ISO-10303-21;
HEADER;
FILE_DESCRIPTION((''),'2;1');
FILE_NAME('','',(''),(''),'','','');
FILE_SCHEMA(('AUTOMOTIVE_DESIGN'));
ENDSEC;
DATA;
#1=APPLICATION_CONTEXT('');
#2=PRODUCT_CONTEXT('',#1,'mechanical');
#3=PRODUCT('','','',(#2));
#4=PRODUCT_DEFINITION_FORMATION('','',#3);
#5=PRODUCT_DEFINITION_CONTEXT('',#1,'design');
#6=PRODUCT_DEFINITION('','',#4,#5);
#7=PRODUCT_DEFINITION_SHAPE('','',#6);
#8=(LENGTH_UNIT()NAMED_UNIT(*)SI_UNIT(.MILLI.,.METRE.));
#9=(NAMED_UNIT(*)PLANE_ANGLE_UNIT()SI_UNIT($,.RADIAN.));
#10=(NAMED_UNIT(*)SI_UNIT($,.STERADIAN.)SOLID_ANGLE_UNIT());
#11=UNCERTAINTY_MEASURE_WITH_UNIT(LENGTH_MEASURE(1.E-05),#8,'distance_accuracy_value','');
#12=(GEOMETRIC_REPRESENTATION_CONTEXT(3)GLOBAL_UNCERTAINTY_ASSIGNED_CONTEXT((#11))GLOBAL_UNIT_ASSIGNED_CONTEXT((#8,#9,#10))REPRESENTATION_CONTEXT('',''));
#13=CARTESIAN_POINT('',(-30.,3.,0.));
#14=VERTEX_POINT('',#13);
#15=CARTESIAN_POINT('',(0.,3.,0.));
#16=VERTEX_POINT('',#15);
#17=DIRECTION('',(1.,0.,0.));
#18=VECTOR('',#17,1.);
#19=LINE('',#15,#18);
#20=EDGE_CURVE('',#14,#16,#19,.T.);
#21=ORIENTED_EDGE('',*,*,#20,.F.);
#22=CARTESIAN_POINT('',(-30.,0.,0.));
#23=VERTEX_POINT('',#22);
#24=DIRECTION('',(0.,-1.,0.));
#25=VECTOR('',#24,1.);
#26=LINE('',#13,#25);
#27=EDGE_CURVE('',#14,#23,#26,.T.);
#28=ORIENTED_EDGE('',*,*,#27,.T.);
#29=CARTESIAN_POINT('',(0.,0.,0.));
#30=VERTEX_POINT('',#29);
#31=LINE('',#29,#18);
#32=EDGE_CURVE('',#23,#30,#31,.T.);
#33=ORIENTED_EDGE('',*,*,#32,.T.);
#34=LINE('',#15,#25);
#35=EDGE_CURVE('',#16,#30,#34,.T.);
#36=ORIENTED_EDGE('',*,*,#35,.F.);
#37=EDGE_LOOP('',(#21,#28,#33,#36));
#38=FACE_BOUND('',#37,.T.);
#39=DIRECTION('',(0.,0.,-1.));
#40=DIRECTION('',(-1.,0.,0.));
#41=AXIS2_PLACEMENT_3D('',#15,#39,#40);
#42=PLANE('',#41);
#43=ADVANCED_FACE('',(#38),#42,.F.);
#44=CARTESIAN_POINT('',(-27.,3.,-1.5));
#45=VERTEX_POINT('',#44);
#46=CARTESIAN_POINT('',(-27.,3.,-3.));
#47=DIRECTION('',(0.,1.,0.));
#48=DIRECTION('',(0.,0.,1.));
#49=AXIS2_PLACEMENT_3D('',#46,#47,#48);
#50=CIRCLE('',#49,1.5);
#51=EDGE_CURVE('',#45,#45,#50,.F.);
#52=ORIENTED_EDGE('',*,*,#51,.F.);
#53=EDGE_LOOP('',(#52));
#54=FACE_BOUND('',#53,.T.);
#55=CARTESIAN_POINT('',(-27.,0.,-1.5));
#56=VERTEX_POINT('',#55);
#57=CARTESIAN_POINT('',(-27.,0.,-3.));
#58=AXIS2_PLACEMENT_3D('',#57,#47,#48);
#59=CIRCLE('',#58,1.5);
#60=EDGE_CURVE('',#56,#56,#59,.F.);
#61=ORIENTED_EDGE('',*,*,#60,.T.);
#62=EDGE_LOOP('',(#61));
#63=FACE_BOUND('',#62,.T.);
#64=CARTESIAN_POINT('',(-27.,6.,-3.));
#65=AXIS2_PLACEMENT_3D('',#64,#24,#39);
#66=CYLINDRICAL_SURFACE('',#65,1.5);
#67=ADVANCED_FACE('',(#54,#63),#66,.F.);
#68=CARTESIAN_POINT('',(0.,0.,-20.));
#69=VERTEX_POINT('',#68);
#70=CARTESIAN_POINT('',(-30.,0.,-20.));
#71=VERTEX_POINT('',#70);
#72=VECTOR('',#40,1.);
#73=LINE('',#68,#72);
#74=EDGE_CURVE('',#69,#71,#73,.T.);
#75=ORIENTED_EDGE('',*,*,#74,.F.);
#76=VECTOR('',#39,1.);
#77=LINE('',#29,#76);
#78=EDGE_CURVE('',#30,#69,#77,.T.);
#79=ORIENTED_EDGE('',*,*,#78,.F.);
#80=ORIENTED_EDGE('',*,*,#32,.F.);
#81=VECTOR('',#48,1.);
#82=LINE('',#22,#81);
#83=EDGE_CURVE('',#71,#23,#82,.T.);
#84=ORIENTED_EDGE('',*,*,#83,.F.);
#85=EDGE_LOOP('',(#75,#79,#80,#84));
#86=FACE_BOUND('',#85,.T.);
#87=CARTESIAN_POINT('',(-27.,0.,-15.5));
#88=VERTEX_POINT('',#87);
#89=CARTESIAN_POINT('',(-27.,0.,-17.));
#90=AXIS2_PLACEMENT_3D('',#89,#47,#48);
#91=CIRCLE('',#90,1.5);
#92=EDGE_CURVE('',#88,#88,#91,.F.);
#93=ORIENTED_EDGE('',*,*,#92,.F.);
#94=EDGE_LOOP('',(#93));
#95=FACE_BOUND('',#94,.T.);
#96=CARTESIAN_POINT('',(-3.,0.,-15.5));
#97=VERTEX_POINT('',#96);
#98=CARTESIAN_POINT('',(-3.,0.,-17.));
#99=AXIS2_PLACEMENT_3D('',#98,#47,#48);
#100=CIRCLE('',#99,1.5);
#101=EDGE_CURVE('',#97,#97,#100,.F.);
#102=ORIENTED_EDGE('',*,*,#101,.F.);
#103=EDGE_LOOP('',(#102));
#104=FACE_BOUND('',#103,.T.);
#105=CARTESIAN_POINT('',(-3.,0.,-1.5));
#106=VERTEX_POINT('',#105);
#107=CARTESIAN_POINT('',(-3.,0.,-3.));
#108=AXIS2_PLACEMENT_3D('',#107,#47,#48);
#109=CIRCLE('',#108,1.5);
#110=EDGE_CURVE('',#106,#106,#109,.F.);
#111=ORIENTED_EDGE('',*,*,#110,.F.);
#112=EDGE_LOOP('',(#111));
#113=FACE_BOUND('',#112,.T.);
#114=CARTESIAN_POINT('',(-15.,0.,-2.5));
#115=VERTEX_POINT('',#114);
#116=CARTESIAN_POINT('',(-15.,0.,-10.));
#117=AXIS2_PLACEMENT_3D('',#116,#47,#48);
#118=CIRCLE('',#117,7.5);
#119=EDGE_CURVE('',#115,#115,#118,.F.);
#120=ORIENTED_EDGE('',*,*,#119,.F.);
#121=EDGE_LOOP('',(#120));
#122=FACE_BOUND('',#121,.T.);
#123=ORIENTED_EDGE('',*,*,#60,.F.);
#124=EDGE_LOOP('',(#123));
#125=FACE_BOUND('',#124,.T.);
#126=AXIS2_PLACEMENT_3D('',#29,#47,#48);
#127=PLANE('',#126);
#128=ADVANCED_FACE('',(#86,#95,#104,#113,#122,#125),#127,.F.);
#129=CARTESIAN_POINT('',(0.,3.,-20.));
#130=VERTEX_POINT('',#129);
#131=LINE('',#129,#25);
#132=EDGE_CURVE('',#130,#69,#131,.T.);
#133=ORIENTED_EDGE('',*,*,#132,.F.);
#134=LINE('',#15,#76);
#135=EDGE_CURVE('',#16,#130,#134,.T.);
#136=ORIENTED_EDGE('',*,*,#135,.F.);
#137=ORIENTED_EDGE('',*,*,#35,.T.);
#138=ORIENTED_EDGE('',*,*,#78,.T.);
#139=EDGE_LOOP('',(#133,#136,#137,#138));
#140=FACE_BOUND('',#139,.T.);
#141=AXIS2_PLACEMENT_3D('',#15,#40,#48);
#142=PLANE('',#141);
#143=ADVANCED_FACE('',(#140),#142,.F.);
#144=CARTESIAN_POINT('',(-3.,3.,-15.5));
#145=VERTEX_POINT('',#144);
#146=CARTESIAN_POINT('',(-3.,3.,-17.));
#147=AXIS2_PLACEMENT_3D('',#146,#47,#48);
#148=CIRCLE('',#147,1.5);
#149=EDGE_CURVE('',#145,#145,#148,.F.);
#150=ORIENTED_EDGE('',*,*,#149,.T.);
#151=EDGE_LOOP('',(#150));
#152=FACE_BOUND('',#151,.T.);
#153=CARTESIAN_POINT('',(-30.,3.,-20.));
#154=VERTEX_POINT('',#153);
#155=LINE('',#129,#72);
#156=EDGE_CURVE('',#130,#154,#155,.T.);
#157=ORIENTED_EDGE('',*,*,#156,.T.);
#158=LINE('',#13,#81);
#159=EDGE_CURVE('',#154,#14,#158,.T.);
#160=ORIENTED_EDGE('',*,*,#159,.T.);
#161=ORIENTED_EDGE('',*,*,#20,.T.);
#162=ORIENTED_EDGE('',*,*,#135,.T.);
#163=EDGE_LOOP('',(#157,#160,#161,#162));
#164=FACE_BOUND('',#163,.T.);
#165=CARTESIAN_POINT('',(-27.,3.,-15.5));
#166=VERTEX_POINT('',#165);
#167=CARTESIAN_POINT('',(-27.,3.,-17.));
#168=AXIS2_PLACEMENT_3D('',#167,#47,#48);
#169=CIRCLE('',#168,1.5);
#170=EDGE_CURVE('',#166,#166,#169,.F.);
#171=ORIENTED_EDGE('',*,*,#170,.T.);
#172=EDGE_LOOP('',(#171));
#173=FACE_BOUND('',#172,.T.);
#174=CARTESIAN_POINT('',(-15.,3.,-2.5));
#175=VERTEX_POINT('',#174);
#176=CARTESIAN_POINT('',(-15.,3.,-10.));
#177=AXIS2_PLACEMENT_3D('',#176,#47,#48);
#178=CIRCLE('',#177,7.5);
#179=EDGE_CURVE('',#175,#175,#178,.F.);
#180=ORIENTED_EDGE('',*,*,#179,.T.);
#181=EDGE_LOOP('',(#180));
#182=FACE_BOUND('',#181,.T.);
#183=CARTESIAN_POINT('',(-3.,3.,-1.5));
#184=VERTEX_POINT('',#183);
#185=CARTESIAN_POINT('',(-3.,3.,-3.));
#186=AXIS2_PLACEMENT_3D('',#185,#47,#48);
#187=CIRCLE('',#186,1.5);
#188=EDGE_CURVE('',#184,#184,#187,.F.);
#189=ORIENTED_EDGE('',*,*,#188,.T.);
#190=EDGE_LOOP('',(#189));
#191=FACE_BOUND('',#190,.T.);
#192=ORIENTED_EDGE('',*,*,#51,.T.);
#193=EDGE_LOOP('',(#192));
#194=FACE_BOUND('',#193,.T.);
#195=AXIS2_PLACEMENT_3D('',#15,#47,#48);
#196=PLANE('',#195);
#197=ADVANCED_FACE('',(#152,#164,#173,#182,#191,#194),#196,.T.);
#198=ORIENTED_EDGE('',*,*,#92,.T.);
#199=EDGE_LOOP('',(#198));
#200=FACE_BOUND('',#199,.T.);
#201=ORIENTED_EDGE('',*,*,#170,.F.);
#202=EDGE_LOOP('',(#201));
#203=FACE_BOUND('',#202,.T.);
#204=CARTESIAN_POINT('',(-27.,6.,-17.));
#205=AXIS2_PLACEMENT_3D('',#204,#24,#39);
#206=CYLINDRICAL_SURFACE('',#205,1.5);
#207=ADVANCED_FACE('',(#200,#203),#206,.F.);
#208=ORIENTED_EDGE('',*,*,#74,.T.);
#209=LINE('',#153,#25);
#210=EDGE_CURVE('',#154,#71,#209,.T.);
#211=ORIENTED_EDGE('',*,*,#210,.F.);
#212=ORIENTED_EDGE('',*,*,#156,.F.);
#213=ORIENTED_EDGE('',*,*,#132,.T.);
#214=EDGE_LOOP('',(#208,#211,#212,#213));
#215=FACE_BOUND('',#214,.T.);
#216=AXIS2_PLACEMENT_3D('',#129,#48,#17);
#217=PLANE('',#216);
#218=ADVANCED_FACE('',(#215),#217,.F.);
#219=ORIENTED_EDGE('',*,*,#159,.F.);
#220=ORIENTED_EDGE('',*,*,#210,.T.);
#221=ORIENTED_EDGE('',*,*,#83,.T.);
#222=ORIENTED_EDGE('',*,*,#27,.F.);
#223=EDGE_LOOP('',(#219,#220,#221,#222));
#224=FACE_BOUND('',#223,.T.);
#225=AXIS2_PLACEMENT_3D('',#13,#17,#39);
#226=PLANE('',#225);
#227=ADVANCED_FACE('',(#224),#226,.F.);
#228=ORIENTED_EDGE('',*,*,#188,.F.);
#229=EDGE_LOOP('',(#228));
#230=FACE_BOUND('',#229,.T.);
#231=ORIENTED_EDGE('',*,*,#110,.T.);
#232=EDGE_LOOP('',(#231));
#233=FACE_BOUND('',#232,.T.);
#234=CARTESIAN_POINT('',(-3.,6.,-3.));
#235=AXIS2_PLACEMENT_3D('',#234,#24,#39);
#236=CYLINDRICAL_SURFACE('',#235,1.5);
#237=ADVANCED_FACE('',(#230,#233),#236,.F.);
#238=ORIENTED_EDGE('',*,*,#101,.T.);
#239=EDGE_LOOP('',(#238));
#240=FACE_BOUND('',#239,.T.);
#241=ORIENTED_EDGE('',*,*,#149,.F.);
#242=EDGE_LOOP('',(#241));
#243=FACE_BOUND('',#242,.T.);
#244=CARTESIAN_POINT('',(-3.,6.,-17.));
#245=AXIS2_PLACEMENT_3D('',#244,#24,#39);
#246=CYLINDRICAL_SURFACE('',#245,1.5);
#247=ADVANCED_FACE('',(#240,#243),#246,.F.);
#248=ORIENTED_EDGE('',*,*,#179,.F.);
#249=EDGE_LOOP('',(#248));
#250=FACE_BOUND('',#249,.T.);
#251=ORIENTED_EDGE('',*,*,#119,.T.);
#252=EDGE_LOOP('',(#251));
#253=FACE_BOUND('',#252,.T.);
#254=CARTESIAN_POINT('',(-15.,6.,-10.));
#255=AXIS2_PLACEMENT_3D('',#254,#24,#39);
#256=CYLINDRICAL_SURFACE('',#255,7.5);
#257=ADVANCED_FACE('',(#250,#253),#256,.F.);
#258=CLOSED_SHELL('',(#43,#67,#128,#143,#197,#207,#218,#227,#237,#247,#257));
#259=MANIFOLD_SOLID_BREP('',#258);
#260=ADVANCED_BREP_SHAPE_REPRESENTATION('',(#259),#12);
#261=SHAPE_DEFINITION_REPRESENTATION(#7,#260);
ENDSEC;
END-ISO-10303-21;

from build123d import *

# Parameters (mm, degrees)
SKETCH1_W               = 30
SKETCH1_H               = 20
BOSS_EXTRUDE1_DEPTH     = 3
SKETCH2_R               = 1.5
SKETCH2_R_2             = 7.5
CUT_EXTRUDE1_DEPTH      = 3
CUT_EXTRUDE1_DEPTH_BACK = 23


with BuildPart() as part:
    # Sketch1 → Boss-Extrude1 (new body)
    with BuildSketch(Plane(origin=(0, 0, 0), x_dir=(1, 0, 0), z_dir=(0, 1, 0))):
        with Locations((-15, 10)):
            Rectangle(SKETCH1_W, SKETCH1_H)
    extrude(amount=BOSS_EXTRUDE1_DEPTH)

    # Sketch2 → Cut-Extrude1 (cut, two sides)
    with BuildSketch(Plane(origin=(0, 3, 0), x_dir=(1, 0, 0), z_dir=(0, 1, 0))) as cut_extrude1_sk:
        with Locations((-27, 17)):
            Circle(SKETCH2_R)
        with Locations((-27, 3)):
            Circle(SKETCH2_R)
        with Locations((-3, 3)):
            Circle(SKETCH2_R)
        with Locations((-3, 17)):
            Circle(SKETCH2_R)
        with Locations((-15, 10)):
            Circle(SKETCH2_R_2)
    extrude(amount=CUT_EXTRUDE1_DEPTH, mode=Mode.SUBTRACT)
    extrude(cut_extrude1_sk.sketch, amount=-CUT_EXTRUDE1_DEPTH_BACK, mode=Mode.SUBTRACT)


solid = part.part
